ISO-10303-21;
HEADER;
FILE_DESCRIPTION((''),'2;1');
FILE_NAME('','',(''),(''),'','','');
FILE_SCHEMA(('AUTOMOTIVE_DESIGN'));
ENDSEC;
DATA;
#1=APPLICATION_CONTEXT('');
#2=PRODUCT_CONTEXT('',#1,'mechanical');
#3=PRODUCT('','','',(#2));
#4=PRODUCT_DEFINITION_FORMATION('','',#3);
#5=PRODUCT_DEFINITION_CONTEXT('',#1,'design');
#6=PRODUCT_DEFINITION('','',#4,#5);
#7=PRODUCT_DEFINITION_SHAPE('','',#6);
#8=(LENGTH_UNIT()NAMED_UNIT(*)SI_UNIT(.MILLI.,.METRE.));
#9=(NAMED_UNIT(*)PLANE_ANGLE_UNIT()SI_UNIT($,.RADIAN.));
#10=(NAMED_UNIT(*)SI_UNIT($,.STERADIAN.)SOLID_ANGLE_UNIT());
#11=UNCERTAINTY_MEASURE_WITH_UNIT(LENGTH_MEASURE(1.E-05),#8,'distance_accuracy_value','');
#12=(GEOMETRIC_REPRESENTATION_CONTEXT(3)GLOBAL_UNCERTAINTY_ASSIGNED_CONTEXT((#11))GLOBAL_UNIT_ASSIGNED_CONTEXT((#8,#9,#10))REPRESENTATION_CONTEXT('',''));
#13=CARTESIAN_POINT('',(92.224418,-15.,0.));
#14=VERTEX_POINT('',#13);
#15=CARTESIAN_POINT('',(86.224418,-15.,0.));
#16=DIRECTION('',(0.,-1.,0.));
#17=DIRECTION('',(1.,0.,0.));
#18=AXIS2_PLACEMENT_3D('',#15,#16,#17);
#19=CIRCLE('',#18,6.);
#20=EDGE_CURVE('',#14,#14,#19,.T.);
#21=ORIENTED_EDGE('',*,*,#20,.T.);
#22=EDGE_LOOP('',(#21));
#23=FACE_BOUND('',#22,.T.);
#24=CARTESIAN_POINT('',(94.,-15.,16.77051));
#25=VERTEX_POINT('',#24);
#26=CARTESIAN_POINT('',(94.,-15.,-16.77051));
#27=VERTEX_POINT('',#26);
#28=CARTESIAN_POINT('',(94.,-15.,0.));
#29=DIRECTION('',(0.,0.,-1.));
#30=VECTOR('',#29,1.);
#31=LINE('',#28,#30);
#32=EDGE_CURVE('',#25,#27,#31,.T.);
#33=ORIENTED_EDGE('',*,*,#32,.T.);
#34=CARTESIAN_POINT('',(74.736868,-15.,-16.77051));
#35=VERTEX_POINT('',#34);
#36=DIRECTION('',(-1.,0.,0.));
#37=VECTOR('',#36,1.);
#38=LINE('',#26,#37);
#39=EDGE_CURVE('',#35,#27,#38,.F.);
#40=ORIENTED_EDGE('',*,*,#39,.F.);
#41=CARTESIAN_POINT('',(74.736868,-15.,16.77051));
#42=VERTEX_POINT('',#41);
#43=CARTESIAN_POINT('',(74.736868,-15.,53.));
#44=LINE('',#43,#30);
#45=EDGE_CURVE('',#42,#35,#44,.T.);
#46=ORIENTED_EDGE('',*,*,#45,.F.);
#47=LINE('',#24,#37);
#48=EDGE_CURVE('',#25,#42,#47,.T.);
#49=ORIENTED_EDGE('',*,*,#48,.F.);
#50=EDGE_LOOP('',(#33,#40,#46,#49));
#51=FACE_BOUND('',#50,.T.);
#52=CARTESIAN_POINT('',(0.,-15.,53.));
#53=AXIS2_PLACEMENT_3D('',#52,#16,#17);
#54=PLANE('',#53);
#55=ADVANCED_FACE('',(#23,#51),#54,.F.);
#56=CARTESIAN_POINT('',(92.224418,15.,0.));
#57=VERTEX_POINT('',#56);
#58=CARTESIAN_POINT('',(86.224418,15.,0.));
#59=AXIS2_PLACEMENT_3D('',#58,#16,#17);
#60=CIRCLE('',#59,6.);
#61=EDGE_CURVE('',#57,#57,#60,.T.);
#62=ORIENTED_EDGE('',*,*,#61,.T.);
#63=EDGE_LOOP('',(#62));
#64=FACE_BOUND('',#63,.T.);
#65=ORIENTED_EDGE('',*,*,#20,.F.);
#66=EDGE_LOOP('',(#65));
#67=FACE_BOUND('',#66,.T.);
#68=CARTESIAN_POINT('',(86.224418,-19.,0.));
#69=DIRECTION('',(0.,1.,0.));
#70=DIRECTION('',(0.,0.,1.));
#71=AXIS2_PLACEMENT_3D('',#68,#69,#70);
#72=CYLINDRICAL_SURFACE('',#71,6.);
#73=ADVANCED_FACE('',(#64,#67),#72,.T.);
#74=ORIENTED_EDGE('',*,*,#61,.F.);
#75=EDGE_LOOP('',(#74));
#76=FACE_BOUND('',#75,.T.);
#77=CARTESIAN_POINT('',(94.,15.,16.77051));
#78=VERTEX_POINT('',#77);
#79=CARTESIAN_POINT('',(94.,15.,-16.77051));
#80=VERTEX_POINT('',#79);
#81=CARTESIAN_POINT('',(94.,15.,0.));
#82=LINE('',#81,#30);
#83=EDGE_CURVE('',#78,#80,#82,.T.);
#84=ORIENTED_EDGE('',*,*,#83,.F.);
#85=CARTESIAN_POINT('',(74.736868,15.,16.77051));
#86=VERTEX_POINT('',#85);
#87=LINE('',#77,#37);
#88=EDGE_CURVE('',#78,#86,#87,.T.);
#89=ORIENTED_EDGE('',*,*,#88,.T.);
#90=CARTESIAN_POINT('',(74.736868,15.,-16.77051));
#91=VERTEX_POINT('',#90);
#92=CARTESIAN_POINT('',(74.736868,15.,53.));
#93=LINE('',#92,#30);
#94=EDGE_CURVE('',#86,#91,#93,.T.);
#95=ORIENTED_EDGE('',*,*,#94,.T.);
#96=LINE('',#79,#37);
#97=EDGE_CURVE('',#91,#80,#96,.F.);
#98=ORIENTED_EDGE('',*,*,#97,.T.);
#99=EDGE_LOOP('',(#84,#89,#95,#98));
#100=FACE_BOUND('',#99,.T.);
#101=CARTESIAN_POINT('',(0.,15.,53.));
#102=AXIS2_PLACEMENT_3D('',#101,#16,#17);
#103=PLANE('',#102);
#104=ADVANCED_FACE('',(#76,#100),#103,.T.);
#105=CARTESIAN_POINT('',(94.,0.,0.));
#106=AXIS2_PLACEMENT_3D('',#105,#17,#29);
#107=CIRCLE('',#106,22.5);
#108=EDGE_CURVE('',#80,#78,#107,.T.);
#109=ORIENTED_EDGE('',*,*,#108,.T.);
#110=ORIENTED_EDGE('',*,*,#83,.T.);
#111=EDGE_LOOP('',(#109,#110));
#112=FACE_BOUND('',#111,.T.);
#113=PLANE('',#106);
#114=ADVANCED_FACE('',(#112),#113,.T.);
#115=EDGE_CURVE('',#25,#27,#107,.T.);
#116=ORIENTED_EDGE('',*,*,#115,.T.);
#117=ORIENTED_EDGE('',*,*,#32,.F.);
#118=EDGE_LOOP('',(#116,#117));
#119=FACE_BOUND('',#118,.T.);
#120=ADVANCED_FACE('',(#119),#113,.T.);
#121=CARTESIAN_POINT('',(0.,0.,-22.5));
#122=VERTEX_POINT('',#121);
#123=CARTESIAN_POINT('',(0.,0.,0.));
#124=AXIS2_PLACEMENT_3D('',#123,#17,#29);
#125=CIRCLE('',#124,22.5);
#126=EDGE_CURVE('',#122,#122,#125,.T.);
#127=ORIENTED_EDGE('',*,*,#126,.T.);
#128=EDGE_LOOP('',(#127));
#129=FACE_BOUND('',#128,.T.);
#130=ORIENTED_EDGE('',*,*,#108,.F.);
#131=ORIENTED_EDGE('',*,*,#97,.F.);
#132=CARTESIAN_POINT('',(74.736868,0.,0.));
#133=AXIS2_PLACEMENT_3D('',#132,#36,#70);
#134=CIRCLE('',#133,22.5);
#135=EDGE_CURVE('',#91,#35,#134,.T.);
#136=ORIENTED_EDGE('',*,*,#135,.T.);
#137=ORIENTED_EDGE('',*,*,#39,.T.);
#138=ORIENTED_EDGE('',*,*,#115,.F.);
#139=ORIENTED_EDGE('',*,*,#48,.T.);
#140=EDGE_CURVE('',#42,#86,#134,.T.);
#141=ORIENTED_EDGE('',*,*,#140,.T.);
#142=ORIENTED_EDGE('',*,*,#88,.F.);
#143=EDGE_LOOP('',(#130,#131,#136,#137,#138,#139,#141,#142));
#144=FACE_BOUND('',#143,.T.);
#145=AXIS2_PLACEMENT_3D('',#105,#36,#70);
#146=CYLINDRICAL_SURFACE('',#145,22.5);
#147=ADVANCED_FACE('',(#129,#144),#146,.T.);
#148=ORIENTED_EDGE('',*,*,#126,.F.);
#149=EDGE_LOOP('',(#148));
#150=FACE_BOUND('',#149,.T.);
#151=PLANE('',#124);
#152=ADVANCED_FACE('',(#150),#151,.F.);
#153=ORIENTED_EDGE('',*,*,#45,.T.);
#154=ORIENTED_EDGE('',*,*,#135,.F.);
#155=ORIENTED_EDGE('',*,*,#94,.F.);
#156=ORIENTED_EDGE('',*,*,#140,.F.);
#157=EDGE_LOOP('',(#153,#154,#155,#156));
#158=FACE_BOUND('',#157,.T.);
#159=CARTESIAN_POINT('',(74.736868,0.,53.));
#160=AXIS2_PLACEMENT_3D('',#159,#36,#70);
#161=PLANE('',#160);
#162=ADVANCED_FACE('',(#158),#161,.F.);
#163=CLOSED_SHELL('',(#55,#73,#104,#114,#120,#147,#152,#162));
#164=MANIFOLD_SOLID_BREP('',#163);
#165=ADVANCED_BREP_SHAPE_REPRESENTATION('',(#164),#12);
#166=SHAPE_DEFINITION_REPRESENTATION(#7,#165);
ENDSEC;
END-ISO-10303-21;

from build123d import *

# Parameters (mm, degrees)
SKETCH_2_R               = 22.5
EXTRUDE_1_DEPTH          = 94
CUT_EXTRUDE_1_DEPTH      = 53
CUT_EXTRUDE_1_DEPTH_BACK = 53
SKETCH_3_W               = 19.263131719
SKETCH_3_H               = 15
EXTRUDE_3_DEPTH          = 16
EXTRUDE_3_DEPTH_BACK     = 19


with BuildPart() as part:
    # 草图2 → 凸台-拉伸1 (new body)
    with BuildSketch(Plane(origin=(0, 0, 0), x_dir=(0, 0, -1), z_dir=(1, 0, 0))):
        Circle(SKETCH_2_R)
    extrude(amount=EXTRUDE_1_DEPTH)

    # 草图3 → 切除-拉伸1 (cut, two sides: drawn at the far end of the back side and taken through both)
    with BuildSketch(Plane.XY.offset(-CUT_EXTRUDE_1_DEPTH_BACK)):
        with Locations((84.36843414, 7.5)):
            Rectangle(SKETCH_3_W, SKETCH_3_H)
        with Locations((84.36843414, -7.5)):
            Rectangle(SKETCH_3_W, SKETCH_3_H)
    extrude(amount=CUT_EXTRUDE_1_DEPTH + CUT_EXTRUDE_1_DEPTH_BACK, mode=Mode.SUBTRACT)

    # 草图4 → 凸台-拉伸3 (add, two sides: drawn at the far end of the back side and taken through both)
    with BuildSketch(Plane(origin=(0, 0, 0), x_dir=(1, 0, 0), z_dir=(0, 1, 0)).offset(-EXTRUDE_3_DEPTH_BACK)):
        with BuildLine():
            ThreePointArc((92.224417763, 0), (86.224417763, 6), (80.224417763, 0))
            Line((80.224417763, 0), (92.224417763, 0))
        make_face()
        with BuildLine():
            Line((92.224417763, 0), (80.224417763, 0))
            ThreePointArc((80.224417763, 0), (86.224417763, -6), (92.224417763, 0))
        make_face()
    extrude(amount=EXTRUDE_3_DEPTH + EXTRUDE_3_DEPTH_BACK)


solid = part.part
